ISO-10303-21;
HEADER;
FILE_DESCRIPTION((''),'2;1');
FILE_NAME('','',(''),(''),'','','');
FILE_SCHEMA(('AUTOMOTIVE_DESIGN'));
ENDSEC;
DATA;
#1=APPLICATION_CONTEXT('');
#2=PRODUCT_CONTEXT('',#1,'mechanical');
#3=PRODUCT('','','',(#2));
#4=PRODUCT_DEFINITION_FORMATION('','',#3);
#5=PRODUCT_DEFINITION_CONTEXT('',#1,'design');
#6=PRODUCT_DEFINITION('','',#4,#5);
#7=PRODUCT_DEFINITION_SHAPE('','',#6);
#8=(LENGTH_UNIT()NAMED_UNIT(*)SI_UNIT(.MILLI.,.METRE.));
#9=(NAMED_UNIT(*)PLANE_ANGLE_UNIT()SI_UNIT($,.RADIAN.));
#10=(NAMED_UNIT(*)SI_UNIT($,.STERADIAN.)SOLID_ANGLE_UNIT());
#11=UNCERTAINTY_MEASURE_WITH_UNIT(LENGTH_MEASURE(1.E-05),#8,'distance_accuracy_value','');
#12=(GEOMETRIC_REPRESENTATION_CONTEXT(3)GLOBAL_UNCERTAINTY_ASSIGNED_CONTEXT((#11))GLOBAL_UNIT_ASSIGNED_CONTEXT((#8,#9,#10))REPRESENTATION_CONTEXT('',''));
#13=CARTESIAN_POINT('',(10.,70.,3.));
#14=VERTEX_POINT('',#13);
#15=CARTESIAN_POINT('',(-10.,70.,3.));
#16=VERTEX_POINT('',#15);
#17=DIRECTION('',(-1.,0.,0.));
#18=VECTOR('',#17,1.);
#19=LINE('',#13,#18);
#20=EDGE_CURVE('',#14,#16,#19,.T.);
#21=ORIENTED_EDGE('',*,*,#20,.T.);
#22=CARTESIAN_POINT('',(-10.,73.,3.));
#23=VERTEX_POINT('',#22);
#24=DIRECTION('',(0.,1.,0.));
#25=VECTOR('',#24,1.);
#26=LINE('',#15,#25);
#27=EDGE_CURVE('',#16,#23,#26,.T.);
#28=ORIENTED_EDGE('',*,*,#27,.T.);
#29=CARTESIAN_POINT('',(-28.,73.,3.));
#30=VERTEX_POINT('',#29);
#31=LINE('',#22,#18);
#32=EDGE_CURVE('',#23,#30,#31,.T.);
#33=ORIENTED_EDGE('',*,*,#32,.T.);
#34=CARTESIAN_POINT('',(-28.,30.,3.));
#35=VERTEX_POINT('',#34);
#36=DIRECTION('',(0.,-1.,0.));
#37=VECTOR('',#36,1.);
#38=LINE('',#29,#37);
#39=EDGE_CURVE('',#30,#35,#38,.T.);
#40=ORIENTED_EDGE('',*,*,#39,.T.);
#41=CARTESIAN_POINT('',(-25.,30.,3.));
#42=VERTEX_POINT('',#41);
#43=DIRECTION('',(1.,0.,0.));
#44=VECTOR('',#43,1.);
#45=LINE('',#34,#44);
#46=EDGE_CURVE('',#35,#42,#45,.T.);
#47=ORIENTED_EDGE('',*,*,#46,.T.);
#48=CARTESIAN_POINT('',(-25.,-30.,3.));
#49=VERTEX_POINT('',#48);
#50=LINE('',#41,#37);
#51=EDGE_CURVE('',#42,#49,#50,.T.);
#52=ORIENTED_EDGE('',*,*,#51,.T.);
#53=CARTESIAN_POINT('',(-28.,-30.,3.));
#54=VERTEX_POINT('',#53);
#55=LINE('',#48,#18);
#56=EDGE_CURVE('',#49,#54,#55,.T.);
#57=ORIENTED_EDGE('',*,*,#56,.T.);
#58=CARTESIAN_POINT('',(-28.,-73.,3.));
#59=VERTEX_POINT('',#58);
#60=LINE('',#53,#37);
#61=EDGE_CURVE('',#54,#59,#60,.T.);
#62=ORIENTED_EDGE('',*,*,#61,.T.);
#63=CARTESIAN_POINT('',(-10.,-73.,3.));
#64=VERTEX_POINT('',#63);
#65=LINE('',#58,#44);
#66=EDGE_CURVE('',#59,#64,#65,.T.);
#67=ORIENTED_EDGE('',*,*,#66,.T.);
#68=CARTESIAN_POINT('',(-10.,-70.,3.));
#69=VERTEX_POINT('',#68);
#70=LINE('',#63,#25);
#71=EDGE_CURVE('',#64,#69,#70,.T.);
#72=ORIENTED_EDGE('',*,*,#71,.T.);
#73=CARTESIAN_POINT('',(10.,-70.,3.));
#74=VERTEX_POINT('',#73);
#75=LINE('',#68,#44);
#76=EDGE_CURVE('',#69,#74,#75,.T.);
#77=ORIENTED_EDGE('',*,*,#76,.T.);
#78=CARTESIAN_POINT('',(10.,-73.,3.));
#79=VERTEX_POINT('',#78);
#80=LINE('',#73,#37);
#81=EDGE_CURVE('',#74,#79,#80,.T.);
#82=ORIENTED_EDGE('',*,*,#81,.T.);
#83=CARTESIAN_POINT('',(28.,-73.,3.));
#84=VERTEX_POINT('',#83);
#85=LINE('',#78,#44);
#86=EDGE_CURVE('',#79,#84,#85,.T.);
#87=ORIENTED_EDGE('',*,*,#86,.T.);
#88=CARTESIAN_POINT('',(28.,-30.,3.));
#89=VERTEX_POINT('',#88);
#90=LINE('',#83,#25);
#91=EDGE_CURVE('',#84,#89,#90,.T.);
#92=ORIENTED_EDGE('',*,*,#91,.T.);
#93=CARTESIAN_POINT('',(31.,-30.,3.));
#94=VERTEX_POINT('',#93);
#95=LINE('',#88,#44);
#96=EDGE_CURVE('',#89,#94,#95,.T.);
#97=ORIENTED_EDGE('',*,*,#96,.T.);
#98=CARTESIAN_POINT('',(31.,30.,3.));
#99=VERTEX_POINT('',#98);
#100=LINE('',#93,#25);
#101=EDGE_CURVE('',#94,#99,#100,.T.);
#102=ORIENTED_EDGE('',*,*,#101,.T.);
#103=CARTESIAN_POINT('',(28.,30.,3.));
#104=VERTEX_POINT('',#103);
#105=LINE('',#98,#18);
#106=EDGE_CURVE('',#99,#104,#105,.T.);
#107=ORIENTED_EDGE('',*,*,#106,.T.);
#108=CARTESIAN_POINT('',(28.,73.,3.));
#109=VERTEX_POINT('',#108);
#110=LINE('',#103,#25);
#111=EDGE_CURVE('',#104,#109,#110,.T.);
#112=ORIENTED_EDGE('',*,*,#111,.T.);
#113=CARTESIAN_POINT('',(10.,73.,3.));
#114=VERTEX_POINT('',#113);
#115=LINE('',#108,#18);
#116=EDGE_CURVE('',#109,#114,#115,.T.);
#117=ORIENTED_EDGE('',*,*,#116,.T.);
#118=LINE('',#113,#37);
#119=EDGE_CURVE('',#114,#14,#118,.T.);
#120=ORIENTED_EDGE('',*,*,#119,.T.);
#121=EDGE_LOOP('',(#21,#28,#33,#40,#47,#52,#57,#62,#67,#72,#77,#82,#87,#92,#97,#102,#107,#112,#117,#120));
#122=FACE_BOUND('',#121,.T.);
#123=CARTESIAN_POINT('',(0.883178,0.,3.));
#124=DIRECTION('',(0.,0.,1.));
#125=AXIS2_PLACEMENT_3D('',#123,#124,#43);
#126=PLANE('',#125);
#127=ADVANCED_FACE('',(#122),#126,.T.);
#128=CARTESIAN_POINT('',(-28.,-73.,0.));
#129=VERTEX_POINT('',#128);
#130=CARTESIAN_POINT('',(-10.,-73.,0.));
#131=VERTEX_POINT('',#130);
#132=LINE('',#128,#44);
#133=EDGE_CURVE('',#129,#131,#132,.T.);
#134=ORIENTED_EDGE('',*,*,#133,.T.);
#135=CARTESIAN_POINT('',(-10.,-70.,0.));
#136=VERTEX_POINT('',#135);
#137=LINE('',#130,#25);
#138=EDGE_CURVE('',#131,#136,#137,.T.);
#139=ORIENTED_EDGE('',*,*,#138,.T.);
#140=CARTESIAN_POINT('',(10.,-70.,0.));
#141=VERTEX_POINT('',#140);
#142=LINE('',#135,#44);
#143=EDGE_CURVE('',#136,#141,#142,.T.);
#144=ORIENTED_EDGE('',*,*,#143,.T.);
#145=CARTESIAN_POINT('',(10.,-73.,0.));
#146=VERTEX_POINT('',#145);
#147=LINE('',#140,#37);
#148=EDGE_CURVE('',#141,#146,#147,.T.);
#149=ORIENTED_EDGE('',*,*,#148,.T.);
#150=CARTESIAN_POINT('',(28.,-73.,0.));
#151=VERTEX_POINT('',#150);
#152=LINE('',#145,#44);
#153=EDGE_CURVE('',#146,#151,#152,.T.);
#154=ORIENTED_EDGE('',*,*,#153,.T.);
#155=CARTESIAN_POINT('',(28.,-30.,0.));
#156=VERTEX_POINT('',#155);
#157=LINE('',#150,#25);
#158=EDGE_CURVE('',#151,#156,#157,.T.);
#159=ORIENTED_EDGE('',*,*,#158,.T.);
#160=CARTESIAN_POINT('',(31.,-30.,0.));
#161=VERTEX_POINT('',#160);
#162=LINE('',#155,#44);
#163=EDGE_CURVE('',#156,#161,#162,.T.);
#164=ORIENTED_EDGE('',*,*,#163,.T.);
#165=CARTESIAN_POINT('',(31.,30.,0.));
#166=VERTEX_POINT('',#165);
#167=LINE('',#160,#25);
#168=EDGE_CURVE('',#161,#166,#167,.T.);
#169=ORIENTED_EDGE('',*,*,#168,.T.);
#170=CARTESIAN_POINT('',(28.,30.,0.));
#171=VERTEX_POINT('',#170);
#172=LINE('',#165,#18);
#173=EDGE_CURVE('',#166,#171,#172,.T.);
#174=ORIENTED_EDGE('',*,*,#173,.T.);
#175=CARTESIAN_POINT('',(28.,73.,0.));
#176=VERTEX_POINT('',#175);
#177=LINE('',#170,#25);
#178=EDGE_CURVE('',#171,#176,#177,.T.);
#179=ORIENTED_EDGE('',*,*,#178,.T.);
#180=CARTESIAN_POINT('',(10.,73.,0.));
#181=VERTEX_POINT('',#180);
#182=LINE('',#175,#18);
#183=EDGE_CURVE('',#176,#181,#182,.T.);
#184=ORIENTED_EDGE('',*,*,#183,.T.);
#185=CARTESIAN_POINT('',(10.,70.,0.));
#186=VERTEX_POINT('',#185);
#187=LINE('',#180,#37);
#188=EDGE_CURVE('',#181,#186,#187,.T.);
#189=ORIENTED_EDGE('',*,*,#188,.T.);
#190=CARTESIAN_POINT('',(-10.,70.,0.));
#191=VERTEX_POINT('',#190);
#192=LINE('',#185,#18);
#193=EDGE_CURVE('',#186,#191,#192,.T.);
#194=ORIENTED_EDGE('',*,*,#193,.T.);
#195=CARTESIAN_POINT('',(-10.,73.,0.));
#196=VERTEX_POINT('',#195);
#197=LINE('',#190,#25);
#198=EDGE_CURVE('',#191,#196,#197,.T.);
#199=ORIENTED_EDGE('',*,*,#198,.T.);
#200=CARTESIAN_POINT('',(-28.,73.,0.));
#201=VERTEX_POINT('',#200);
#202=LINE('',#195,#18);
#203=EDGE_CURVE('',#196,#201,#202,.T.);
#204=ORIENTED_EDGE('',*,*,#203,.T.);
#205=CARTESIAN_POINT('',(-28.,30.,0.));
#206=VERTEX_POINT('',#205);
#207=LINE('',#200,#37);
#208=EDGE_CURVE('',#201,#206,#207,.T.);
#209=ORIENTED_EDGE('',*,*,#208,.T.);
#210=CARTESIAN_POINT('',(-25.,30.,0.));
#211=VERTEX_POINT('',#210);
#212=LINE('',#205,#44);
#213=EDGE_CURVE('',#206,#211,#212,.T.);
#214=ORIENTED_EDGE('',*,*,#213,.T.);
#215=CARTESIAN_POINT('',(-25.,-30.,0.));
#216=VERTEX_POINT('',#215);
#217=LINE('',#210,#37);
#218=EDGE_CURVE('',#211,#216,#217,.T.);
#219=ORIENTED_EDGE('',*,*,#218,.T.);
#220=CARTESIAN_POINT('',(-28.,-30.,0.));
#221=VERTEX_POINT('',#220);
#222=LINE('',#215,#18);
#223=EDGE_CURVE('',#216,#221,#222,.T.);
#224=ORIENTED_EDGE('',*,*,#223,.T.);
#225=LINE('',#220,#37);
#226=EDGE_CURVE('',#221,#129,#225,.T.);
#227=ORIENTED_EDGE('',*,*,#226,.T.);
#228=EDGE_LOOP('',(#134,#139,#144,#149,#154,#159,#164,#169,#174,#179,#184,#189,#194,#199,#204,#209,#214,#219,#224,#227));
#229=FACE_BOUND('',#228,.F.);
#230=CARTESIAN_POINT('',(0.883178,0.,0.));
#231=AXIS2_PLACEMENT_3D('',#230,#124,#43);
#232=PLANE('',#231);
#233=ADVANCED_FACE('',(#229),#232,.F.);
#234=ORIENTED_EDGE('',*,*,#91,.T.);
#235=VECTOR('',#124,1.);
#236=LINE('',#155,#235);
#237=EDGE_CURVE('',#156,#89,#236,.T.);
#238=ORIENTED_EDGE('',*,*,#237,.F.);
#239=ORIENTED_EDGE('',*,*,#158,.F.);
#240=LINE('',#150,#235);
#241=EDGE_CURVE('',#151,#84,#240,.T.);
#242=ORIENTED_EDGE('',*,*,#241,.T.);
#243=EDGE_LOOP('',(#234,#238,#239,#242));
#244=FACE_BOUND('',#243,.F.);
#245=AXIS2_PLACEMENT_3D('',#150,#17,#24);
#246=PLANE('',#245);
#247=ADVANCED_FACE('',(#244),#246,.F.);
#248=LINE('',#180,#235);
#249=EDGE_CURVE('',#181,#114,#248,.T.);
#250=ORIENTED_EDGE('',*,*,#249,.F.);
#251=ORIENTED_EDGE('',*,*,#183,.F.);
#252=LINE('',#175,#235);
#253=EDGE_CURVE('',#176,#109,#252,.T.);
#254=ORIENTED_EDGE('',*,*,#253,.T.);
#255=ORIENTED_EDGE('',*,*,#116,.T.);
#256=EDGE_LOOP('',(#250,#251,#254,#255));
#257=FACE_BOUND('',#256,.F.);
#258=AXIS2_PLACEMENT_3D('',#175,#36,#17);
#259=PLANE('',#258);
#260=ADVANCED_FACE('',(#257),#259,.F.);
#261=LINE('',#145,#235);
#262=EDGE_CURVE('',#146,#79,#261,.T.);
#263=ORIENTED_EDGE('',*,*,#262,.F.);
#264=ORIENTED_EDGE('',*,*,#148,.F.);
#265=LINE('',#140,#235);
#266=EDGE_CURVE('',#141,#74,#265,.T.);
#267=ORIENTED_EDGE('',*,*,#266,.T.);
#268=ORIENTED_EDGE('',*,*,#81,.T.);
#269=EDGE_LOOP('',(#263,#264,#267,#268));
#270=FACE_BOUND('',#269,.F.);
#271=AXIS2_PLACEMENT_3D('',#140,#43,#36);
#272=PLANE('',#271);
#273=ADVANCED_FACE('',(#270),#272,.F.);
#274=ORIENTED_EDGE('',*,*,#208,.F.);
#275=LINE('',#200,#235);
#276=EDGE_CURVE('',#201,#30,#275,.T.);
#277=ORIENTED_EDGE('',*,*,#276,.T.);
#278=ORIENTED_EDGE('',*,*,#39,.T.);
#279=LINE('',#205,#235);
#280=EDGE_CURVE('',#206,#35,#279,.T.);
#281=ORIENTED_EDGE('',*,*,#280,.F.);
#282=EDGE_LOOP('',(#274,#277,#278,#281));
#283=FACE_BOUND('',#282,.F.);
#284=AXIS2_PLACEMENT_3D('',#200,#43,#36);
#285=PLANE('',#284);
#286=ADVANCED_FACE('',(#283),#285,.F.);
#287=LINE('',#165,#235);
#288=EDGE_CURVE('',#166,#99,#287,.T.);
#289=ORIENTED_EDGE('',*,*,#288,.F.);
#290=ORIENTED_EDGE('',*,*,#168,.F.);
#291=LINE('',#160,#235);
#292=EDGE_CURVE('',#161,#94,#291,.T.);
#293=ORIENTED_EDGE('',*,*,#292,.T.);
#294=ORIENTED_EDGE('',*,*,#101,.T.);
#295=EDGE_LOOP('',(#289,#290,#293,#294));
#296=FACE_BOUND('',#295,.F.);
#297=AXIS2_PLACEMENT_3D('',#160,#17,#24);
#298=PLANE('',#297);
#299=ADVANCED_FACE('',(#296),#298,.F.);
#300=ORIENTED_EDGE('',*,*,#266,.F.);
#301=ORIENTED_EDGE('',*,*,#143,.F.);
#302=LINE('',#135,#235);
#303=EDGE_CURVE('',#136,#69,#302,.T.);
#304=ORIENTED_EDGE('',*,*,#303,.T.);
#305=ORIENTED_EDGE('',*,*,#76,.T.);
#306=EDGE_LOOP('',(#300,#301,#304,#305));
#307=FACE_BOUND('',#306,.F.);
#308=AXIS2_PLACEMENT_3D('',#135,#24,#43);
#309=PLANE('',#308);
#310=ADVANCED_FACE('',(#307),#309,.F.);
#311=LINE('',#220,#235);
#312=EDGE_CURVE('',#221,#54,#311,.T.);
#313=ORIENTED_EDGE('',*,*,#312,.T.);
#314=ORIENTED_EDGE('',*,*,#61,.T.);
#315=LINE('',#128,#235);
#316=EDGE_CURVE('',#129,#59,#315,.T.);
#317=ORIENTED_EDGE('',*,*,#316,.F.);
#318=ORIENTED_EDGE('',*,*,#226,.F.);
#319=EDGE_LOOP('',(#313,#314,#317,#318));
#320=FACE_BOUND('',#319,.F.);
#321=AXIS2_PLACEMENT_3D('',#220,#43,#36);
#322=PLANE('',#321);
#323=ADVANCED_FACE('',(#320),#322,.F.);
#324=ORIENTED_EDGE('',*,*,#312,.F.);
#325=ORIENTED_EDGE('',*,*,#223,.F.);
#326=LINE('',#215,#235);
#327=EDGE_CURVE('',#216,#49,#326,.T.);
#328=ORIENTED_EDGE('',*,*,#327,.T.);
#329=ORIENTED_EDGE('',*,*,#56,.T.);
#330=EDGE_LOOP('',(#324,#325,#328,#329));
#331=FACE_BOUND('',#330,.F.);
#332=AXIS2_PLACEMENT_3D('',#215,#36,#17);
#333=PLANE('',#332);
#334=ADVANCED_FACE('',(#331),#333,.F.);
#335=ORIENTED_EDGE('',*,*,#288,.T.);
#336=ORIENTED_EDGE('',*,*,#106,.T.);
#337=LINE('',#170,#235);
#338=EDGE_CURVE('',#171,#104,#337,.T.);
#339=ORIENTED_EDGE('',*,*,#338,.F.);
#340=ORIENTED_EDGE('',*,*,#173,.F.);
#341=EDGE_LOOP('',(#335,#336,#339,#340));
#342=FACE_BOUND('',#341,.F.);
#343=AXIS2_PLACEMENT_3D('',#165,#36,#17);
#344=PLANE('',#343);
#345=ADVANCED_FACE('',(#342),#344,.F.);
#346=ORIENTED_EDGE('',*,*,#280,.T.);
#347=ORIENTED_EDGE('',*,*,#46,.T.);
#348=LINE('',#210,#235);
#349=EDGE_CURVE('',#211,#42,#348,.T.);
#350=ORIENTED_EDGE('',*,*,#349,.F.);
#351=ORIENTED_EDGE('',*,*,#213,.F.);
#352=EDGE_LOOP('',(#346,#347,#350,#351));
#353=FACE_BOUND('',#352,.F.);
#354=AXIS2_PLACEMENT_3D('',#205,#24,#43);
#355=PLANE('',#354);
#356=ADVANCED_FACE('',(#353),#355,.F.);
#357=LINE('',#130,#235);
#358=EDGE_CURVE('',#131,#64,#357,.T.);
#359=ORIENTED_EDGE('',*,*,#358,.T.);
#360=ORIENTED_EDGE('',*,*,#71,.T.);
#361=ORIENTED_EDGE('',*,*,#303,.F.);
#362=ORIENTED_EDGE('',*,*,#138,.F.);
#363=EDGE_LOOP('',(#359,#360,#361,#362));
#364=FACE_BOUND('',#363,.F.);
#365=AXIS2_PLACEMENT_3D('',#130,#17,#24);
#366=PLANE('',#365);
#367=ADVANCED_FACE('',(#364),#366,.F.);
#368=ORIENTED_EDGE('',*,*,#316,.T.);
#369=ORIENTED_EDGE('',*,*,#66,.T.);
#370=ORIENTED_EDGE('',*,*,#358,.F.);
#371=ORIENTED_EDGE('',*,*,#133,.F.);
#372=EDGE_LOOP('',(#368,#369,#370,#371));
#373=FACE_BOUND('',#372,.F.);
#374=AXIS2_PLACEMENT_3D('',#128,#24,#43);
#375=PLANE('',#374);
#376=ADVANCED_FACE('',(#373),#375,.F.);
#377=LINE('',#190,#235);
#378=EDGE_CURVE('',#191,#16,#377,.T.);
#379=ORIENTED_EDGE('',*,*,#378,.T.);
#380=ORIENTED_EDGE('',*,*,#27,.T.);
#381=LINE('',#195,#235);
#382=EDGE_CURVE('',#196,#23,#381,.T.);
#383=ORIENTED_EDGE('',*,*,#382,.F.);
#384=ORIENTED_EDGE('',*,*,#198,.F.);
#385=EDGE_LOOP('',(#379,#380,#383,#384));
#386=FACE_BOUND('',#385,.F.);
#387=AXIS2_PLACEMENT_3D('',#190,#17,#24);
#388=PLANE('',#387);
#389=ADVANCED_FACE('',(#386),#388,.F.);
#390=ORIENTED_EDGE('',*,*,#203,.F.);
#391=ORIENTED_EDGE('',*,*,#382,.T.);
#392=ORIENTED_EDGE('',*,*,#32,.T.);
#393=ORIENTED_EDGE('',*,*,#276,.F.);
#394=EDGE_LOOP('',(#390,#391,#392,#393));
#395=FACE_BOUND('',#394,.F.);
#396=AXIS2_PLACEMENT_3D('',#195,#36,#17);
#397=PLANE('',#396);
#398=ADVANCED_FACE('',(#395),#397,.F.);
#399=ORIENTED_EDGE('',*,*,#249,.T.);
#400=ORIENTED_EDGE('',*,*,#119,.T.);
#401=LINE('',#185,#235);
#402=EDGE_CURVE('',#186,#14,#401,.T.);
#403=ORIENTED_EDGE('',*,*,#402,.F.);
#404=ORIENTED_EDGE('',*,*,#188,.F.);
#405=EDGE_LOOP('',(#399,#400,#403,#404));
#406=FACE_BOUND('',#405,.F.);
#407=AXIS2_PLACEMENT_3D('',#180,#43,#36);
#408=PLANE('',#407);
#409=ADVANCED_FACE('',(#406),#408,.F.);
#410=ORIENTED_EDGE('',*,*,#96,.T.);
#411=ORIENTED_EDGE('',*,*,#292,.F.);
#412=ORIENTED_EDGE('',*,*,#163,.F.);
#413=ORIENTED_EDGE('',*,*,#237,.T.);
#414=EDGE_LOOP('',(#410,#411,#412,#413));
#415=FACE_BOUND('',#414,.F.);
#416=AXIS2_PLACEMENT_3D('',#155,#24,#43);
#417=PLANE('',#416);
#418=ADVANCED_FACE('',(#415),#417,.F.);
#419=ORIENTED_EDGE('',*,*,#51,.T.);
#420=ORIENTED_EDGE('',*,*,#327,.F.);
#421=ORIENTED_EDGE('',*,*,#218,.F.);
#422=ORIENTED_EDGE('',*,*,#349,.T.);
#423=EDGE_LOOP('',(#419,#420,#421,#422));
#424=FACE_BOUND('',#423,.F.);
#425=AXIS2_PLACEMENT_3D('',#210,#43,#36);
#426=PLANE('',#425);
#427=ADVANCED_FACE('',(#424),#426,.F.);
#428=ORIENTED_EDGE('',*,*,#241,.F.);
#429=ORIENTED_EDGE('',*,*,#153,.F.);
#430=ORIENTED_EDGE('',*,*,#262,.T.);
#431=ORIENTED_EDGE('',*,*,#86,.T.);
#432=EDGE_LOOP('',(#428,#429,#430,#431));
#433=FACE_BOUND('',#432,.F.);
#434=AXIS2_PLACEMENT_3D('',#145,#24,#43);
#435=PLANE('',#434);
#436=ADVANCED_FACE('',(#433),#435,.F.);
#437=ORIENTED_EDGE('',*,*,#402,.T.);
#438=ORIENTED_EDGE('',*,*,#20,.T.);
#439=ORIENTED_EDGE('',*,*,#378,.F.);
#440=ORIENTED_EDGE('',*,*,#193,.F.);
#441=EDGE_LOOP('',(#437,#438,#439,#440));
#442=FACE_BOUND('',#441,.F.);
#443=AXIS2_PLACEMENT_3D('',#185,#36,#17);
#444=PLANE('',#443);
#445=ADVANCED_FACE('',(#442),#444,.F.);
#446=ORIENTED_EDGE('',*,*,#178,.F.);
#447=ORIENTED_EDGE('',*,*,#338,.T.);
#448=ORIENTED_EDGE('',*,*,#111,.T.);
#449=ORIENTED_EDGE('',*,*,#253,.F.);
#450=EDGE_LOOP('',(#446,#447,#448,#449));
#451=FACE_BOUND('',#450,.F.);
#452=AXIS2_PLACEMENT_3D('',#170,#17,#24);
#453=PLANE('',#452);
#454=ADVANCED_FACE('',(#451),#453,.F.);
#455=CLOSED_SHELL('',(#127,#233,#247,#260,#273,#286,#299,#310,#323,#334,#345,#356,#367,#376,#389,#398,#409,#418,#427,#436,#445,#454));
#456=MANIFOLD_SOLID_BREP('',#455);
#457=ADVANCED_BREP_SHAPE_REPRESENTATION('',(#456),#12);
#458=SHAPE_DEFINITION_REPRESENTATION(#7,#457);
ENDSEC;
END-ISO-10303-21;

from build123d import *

# Parameters (mm, degrees)
F1_DEPTH = 3


with BuildPart() as f1:
    # F0 (on Top) → F1 (new body)
    with BuildSketch(Plane.XY):
        Polygon((10, -73), (28, -73), (28, -30), (31, -30), (31, 30), (28, 30), (28, 73), (10, 73), (10, 70), (-10, 70), (-10, 73), (-28, 73), (-28, 30), (-25, 30), (-25, -30), (-28, -30), (-28, -73), (-10, -73), (-10, -70), (10, -70), align=None)
    extrude(amount=F1_DEPTH)


solid = f1.part
